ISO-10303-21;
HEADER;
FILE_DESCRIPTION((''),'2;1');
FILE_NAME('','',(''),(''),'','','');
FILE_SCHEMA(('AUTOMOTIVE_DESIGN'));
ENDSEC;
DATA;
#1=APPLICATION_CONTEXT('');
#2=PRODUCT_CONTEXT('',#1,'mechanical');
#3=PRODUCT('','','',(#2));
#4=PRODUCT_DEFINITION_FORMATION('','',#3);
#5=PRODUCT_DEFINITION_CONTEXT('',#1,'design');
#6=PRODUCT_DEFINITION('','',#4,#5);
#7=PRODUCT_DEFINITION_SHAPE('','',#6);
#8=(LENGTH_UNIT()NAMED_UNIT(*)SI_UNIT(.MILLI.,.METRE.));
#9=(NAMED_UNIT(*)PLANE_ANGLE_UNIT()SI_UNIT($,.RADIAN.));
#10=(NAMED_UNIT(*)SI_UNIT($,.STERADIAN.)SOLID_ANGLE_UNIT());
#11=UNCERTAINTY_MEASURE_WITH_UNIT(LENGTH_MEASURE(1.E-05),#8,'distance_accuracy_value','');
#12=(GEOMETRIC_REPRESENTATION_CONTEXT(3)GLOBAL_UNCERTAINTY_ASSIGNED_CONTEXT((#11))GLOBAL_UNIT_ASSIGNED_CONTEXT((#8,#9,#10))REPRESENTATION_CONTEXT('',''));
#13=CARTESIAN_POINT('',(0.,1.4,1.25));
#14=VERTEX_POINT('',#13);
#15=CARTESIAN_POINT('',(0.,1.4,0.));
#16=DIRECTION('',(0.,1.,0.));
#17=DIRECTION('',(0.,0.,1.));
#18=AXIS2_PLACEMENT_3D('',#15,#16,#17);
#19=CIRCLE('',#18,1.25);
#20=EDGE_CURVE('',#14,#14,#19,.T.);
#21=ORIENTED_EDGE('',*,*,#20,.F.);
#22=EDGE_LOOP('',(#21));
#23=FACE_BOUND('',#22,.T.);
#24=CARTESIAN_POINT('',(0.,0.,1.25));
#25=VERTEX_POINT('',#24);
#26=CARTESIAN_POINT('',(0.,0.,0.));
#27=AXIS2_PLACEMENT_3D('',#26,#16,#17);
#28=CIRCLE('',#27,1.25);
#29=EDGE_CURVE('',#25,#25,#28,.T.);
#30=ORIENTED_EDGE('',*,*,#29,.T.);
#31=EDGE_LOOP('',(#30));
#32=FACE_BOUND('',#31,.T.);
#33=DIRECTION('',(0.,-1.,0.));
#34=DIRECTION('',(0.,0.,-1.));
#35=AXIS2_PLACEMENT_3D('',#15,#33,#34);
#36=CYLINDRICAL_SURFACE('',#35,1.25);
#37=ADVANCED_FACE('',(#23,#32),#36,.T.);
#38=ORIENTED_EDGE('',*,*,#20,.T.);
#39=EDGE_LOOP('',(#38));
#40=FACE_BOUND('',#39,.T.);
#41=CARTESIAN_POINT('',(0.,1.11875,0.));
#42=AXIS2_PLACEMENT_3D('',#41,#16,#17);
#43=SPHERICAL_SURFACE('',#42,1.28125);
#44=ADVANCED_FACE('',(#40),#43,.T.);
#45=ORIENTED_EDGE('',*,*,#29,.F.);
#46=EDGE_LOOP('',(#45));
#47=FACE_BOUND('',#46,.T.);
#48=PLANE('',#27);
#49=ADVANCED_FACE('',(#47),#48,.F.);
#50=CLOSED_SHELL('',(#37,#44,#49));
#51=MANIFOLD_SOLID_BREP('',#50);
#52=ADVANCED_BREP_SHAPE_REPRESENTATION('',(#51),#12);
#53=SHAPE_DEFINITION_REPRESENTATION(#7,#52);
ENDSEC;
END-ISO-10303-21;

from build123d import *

# Parameters (mm, degrees)
SKETCH1_R           = 1.25
BOSS_EXTRUDE1_DEPTH = 1.4
DOME1_FACE_RADIUS   = 1.25
DOME1_HEIGHT        = 1


with BuildPart() as part:
    # Sketch1 → Boss-Extrude1 (new body)
    with BuildSketch(Plane(origin=(0, 0, 0), x_dir=(1, 0, 0), z_dir=(0, 1, 0))):
        Circle(SKETCH1_R)
    extrude(amount=BOSS_EXTRUDE1_DEPTH)

    # Dome1: a dome of height H over a round flat face of radius A is a cap of a sphere of radius (A * A + H * H) / (2 * H)
    dome1_r = (DOME1_FACE_RADIUS * DOME1_FACE_RADIUS + DOME1_HEIGHT * DOME1_HEIGHT) / (2 * DOME1_HEIGHT)
    dome1_base = Plane((0, 1.4, 0), z_dir=(0, 1, 0))
    with Locations(dome1_base.offset(DOME1_HEIGHT - dome1_r)):
        dome1_ball = Sphere(dome1_r, mode=Mode.PRIVATE)
    add(split(dome1_ball, bisect_by=dome1_base, keep=Keep.TOP, mode=Mode.PRIVATE))


solid = part.part
